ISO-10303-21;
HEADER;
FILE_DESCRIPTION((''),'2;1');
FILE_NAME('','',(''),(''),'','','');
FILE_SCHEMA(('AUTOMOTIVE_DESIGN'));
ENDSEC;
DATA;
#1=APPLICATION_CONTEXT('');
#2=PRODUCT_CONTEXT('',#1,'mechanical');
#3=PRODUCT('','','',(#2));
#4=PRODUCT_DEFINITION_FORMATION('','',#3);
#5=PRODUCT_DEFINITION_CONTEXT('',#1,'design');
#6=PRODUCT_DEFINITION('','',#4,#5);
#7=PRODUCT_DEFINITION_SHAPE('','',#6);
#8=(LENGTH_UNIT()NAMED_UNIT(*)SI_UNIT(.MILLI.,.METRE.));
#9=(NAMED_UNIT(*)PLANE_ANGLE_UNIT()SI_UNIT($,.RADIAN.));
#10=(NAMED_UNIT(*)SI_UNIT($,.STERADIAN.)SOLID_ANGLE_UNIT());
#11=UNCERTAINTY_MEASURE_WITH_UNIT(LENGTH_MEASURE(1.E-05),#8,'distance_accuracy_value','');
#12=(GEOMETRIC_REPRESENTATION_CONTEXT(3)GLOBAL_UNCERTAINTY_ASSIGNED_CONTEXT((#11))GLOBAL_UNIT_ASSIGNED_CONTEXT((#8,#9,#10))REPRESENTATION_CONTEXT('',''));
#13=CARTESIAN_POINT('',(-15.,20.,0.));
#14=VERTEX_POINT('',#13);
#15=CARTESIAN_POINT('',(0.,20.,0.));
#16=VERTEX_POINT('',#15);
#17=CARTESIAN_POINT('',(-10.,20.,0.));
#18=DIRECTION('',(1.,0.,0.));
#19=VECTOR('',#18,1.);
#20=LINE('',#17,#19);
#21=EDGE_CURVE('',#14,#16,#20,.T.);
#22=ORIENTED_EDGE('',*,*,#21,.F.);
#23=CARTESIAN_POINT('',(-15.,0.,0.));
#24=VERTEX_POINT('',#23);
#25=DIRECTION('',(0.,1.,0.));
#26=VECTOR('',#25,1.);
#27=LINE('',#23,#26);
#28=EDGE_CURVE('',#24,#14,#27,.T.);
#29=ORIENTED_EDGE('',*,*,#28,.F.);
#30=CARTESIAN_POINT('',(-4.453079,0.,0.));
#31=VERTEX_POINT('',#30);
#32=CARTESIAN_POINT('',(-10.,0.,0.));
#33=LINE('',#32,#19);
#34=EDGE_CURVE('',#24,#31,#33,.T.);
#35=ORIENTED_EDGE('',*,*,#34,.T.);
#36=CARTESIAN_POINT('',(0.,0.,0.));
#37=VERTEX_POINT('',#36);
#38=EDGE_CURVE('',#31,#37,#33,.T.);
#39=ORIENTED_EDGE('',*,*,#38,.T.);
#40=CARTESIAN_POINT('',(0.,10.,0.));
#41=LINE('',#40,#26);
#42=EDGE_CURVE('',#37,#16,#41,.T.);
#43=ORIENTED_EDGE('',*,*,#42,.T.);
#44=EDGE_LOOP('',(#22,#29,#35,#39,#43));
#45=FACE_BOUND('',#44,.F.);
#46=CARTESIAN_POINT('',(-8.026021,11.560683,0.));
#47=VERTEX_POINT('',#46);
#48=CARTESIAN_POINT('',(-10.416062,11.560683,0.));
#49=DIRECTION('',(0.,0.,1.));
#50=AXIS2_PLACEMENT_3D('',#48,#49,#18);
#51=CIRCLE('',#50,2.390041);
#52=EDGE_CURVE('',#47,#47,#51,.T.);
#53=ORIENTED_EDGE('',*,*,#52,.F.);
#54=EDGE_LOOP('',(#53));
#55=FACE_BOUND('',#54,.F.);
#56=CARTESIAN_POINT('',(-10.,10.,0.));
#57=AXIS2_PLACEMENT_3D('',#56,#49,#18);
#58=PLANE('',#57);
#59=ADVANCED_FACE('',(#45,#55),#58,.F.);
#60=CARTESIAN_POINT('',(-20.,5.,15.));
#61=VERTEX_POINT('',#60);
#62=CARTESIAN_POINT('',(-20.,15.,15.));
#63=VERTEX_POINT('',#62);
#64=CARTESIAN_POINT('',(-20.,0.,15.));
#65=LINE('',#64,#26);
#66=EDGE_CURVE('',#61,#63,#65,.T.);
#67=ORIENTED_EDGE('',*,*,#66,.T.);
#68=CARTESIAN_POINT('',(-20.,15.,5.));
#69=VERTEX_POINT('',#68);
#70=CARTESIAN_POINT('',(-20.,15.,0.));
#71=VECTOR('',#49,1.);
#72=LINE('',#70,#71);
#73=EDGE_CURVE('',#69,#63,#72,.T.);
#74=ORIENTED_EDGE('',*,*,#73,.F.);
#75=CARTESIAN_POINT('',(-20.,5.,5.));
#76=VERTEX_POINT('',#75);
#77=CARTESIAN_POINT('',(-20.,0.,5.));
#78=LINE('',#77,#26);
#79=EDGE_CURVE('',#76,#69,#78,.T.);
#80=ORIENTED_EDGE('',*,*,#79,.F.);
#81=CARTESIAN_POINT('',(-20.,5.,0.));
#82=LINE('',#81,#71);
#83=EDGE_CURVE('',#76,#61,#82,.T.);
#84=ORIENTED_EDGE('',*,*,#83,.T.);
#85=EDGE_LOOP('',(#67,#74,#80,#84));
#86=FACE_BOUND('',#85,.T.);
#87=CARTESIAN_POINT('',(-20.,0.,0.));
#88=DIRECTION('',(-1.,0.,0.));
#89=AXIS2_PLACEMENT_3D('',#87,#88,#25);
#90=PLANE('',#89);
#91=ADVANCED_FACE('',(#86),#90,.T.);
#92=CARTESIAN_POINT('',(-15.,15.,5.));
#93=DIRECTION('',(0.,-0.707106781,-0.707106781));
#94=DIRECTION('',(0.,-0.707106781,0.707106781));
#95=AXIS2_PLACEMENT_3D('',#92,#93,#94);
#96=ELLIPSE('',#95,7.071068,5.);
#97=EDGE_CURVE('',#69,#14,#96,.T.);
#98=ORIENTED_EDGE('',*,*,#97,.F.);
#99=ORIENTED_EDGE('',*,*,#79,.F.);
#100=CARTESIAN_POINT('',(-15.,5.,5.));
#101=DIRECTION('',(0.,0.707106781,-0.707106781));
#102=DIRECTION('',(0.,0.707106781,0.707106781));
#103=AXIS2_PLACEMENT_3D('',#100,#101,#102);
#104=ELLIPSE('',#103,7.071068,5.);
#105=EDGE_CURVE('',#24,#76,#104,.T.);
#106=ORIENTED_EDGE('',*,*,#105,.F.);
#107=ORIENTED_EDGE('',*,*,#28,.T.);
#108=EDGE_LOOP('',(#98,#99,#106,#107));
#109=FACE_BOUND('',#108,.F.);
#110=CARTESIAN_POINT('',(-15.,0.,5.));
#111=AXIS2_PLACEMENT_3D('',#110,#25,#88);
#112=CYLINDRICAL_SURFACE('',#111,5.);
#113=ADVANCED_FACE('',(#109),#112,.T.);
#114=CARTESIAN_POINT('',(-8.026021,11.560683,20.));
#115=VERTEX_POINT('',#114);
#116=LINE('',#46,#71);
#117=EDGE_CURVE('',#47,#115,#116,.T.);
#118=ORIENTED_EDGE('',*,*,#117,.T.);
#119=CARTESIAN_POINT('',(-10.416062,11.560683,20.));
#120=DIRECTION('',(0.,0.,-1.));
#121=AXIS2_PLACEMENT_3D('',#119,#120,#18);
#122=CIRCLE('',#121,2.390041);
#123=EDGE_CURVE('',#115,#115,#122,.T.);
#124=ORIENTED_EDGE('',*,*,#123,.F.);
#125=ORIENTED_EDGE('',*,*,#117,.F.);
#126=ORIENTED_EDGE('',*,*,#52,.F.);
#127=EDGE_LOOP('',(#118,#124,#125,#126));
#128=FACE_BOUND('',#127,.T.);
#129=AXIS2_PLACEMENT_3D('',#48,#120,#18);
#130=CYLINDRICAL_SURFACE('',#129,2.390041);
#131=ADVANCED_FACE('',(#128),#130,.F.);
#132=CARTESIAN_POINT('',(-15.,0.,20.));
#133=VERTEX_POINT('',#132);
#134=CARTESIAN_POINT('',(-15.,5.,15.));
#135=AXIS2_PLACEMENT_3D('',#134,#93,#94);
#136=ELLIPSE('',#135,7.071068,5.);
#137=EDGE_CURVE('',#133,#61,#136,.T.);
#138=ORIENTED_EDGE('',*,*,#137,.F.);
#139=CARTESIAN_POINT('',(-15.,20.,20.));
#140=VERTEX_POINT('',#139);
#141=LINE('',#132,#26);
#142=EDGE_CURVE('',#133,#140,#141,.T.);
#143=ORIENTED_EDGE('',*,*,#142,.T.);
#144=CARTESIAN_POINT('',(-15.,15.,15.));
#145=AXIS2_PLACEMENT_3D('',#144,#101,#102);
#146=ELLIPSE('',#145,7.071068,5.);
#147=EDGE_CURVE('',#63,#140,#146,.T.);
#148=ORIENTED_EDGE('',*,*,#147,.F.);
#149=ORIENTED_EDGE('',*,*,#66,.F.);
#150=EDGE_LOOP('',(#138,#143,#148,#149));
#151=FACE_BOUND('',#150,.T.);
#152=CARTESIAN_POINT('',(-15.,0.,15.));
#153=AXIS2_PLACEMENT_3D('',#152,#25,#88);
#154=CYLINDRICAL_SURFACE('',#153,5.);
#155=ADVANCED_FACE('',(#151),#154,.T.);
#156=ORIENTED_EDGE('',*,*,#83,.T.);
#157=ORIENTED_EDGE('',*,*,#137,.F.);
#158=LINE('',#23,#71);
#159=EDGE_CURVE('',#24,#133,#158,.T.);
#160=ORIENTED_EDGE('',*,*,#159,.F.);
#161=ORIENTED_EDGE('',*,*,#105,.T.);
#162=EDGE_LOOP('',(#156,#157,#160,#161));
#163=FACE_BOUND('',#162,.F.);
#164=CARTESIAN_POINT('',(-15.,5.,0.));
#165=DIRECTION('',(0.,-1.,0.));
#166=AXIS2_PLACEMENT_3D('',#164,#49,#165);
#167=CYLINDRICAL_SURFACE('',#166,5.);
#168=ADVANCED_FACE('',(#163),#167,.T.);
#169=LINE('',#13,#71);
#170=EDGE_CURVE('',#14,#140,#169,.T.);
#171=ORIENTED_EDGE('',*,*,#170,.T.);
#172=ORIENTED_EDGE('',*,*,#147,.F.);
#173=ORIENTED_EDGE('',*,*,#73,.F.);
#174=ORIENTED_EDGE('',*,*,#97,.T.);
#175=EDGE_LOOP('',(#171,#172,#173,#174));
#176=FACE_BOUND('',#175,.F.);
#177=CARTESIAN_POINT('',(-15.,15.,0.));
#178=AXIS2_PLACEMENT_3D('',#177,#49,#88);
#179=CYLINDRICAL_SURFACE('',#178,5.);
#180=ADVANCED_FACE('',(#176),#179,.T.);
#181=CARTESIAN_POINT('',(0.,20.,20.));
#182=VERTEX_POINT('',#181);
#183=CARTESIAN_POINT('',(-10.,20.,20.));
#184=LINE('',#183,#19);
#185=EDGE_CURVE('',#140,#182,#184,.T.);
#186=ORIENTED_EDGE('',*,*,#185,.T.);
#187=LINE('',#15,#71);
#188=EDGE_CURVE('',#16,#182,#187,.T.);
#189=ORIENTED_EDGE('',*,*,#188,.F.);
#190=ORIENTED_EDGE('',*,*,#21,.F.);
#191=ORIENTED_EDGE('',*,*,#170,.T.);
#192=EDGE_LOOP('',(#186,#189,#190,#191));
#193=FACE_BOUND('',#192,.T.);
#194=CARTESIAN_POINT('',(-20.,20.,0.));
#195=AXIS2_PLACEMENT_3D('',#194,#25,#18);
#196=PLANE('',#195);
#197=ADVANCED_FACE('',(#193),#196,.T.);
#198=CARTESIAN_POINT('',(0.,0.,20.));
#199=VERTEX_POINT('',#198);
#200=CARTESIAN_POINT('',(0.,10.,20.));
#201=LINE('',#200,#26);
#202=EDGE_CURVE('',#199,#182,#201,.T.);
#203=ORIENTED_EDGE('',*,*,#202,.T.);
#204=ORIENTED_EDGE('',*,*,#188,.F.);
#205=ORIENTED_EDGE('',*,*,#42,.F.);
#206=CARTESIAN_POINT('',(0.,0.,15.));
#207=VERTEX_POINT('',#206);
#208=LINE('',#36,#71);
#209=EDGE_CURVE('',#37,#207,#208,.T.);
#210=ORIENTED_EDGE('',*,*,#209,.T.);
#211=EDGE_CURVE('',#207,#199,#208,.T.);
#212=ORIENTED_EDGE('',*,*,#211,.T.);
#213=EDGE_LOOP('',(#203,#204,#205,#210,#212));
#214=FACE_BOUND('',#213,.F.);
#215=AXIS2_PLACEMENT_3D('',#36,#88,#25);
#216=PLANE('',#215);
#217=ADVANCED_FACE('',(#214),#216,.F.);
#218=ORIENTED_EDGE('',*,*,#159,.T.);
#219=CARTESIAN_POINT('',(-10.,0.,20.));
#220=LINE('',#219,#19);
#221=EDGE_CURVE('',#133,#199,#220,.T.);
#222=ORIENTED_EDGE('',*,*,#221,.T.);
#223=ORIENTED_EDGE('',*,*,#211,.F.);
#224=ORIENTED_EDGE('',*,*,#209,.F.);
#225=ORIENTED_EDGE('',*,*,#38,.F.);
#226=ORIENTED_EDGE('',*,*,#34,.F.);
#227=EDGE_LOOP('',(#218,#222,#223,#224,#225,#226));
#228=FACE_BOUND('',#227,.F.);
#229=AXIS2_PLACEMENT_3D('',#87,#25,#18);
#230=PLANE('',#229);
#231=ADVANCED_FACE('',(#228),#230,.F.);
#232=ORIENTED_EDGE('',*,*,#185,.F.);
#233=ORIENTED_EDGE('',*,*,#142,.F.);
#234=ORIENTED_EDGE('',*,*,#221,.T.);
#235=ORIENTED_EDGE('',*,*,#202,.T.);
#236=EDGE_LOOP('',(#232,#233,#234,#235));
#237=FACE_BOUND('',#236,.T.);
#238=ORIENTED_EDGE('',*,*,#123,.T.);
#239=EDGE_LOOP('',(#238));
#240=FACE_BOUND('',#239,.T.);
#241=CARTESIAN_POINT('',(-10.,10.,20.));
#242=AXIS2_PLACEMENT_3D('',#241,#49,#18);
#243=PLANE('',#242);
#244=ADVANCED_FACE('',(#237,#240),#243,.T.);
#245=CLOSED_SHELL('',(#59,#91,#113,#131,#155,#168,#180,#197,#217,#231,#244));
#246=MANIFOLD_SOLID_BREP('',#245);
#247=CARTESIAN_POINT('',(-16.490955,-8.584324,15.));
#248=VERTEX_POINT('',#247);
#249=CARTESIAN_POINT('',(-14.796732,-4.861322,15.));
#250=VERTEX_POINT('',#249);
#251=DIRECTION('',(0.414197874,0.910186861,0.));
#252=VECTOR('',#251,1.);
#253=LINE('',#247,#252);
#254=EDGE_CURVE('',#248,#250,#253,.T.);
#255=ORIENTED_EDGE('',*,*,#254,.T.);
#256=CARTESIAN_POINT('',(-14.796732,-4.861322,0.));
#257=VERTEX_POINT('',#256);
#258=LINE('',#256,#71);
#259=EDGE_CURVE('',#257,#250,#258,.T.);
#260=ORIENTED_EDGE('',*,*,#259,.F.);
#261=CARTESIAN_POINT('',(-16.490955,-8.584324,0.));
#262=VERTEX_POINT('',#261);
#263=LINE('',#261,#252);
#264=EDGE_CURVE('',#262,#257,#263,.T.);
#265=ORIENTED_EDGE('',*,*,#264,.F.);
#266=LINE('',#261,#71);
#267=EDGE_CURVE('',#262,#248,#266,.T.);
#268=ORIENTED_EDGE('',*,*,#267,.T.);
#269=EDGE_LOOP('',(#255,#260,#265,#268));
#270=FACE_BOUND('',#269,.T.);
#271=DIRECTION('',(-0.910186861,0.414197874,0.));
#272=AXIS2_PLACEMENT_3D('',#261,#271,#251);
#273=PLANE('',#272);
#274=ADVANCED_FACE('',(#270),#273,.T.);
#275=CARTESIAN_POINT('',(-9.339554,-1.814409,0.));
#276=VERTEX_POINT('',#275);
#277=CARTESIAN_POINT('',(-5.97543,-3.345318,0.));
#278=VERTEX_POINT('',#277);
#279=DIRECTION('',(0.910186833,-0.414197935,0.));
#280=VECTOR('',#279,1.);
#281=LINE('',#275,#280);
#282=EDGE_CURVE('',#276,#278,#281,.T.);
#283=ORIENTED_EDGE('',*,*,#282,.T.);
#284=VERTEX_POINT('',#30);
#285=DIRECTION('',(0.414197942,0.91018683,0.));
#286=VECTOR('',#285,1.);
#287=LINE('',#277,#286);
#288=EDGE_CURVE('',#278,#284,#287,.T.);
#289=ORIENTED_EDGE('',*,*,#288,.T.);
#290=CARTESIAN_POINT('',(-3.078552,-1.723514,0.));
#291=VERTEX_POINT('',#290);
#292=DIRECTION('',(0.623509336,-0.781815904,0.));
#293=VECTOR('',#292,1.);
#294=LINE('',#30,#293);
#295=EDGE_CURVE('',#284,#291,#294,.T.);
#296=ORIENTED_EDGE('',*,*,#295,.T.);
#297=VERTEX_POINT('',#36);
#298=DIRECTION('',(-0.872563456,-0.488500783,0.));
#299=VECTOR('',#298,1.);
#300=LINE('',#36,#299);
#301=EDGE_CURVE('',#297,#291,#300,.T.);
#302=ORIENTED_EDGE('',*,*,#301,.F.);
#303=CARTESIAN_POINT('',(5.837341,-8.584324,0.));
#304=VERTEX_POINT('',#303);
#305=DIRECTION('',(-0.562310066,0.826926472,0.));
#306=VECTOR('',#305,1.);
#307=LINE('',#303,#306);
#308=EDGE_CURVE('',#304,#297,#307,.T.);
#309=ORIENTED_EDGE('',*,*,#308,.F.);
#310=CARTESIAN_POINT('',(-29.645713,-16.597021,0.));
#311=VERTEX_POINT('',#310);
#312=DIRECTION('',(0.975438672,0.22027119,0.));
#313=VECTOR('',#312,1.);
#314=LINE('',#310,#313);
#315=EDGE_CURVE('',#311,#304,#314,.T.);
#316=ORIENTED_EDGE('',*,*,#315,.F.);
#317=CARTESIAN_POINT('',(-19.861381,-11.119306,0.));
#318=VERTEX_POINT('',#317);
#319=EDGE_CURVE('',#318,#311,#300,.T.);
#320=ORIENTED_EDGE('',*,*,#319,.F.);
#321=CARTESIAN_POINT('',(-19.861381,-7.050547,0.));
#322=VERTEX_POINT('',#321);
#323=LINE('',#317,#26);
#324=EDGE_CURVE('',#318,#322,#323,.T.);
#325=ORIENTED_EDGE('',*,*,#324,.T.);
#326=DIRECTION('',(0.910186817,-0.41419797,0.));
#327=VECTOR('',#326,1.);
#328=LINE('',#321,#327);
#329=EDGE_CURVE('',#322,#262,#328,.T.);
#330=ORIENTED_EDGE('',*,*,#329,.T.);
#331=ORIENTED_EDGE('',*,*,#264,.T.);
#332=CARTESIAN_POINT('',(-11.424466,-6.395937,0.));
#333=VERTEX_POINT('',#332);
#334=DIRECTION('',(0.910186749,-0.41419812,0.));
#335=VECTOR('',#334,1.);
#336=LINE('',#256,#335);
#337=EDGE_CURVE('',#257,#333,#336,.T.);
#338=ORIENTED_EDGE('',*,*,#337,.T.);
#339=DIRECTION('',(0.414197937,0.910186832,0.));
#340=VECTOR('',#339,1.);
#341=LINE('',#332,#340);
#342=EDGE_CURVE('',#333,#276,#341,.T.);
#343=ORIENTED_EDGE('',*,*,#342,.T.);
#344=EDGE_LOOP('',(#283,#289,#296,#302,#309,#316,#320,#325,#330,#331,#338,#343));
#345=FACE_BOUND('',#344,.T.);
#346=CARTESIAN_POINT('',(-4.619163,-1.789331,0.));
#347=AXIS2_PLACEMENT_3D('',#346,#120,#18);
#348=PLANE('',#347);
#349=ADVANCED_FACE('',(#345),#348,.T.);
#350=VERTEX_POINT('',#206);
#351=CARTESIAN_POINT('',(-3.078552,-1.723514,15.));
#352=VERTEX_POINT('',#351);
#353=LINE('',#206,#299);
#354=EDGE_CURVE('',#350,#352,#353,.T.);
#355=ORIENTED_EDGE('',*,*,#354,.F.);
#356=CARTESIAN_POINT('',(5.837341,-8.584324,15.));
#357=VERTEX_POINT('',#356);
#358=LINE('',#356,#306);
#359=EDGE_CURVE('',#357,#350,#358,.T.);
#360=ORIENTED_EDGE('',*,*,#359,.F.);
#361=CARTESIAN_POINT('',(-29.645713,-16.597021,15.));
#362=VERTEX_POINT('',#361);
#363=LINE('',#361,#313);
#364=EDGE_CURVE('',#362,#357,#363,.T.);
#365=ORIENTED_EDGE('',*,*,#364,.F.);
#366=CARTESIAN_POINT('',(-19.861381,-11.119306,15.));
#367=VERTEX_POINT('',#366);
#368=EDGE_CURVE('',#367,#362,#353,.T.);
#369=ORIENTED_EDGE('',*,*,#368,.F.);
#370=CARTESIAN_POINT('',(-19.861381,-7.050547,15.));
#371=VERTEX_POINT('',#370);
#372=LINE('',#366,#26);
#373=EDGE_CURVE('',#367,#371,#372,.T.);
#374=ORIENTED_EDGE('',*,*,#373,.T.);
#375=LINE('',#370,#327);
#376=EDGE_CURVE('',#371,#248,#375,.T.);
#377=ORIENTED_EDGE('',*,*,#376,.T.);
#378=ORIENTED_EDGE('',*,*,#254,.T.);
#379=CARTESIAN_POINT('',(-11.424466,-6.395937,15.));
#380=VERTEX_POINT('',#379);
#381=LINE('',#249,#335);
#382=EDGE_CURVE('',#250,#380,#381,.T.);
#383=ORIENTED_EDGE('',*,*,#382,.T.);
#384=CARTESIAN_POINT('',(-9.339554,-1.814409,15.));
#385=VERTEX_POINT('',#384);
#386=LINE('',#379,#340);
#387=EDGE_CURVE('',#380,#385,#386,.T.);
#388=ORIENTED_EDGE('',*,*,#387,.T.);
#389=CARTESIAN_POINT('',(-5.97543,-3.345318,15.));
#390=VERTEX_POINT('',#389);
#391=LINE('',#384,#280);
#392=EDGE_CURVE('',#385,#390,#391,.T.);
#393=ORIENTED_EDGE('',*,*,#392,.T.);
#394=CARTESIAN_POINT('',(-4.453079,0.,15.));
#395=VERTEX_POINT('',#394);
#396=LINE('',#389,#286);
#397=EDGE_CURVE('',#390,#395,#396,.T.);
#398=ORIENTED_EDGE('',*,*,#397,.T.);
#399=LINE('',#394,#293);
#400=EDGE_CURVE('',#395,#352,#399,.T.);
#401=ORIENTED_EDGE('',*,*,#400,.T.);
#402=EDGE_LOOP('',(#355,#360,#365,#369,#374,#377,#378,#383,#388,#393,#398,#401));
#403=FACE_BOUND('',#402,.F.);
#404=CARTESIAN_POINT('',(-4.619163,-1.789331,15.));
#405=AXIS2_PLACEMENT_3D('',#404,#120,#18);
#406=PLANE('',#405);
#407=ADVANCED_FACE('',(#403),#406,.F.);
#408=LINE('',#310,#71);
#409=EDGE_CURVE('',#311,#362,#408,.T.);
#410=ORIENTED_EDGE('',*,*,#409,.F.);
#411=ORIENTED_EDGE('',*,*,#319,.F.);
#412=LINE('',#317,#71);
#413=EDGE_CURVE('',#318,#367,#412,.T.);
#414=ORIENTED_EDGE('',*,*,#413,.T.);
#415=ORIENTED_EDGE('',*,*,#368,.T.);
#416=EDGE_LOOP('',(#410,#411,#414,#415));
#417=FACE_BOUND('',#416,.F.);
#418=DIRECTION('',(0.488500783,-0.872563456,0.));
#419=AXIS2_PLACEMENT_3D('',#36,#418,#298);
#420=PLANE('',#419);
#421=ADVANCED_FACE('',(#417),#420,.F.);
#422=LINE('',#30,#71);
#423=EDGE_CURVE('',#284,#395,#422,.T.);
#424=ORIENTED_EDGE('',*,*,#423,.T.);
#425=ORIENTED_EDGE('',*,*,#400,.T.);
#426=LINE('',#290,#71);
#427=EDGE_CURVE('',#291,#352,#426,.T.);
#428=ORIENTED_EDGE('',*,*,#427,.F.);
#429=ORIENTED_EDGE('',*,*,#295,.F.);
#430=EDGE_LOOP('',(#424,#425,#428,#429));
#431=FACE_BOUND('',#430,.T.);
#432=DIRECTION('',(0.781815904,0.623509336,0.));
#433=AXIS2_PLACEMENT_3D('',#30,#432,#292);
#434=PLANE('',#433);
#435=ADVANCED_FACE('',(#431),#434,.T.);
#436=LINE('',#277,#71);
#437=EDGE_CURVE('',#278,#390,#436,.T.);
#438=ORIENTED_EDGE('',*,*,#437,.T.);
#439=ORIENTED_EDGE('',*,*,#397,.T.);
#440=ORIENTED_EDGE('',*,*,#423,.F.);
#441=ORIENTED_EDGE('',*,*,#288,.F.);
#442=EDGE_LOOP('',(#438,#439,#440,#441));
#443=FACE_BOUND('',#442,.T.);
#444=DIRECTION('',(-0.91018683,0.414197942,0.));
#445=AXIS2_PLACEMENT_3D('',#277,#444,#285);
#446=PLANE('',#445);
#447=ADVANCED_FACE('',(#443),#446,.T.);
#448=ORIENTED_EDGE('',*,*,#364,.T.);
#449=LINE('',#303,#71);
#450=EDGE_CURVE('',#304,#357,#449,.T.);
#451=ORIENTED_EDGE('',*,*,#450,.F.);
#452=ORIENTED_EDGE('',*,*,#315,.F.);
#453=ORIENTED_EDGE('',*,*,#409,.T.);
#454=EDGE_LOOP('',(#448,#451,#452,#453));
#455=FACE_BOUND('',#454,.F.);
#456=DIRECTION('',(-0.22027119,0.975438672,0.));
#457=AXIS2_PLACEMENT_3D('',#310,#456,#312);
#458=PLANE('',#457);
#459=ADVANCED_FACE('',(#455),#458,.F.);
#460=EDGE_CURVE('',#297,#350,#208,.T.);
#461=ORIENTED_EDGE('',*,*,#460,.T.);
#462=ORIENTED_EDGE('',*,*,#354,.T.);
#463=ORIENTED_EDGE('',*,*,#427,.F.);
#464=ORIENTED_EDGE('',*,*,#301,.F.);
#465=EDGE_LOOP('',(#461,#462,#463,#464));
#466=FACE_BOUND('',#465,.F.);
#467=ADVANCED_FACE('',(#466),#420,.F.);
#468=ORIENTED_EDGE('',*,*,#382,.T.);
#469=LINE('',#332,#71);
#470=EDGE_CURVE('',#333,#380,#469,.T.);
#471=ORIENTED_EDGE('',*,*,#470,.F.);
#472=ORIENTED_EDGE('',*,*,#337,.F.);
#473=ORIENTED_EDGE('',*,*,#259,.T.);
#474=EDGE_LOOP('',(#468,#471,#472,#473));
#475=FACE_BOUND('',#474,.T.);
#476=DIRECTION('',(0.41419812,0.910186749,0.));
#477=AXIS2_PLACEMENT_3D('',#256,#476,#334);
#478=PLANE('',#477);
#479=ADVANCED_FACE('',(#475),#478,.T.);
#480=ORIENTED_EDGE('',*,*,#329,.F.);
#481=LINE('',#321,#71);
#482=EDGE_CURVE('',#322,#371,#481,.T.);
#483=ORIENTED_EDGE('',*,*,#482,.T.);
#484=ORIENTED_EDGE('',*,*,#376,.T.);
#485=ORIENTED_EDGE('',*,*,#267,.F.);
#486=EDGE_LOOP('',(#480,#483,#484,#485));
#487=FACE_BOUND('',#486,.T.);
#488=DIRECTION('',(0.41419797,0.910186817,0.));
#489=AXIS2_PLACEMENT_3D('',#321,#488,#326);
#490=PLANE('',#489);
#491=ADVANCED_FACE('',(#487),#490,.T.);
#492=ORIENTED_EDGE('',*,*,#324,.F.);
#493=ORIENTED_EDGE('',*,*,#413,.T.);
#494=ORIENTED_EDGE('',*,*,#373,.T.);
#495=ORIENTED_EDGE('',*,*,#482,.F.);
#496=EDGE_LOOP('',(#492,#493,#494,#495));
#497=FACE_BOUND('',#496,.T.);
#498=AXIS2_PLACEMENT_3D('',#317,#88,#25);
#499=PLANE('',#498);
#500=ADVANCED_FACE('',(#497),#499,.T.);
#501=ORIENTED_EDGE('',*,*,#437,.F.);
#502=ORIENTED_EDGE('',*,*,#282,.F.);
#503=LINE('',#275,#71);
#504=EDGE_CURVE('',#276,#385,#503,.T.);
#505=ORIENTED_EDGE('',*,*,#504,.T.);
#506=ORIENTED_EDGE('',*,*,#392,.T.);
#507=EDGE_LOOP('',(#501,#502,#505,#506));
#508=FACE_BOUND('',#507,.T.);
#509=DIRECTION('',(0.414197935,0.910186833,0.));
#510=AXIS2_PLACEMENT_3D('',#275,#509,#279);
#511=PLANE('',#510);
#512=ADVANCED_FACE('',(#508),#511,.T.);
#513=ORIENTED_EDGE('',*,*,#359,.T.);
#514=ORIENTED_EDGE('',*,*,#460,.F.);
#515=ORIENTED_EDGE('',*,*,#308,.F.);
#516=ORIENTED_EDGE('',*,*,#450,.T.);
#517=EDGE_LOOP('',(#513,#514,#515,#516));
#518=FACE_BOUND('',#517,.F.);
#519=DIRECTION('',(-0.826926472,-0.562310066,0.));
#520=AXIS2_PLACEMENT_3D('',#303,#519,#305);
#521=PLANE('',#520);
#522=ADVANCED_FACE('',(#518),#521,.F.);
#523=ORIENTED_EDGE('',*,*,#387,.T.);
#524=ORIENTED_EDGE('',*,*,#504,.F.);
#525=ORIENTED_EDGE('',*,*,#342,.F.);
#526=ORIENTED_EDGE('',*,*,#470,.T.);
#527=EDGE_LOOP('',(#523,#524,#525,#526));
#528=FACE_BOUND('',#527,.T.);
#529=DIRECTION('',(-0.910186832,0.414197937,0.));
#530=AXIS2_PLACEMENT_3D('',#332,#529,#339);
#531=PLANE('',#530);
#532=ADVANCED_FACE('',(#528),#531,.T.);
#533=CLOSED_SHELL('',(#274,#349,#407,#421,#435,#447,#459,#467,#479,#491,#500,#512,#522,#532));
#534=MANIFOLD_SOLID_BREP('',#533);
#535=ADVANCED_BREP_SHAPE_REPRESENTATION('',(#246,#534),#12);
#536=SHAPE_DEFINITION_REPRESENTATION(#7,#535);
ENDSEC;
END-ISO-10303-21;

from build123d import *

# Parameters (mm, degrees)
F1_DEPTH = 15
F2_W     = 20
F2_H     = 20
F3_DEPTH = 20
F4_R     = 2.390041
F5_DEPTH = 25
F7_DEPTH = 15
F8_R     = 5


with BuildPart() as f1:
    # F0 (on Top) → F1 (new body)
    with BuildSketch(Plane.XY):
        Polygon((5.837341, -8.584324), (0, 0), (-29.645713, -16.597021), align=None)
    extrude(amount=F1_DEPTH)



with BuildPart() as f3:
    # F2 (on Top) → F3 (new body)
    with BuildSketch(Plane.XY):
        with Locations((-10, 10)):
            Rectangle(F2_W, F2_H)
    extrude(amount=F3_DEPTH)

    # F4 (on Top) → F5 (cut)
    with BuildSketch(Plane.XY):
        with Locations((-10.416062, 11.560683)):
            Circle(F4_R)
    extrude(amount=F5_DEPTH, mode=Mode.SUBTRACT)


with BuildPart() as f1_1:
    add(f1.part)

    add(f3.part)  # F7 merges F3
    # F6 (on face) → F7 (join)
    with BuildSketch(Plane(origin=(0, 0, 0), x_dir=(1, 0, 0), z_dir=(0, 0, -1))):
        Polygon((-5.97543, 3.345318), (-4.453079, 0), (-3.078552, 1.723514), align=None)
        Polygon((-9.339554, 1.814409), (-5.97543, 3.345318), (-11.424466, 6.395937), align=None)
        Polygon((-14.796732, 4.861322), (-11.424466, 6.395937), (-19.861381, 11.119306), (-19.861381, 7.050547), (-16.490955, 8.584324), align=None)
    extrude(amount=-F7_DEPTH)

    # F8
    f8_edges = [f1_1.edges().sort_by_distance(p)[0] for p in [
        (-20, 20, 10),
        (-20, 0, 10),
        (-20, 10, 0),
        (-20, 10, 20),
    ]]
    fillet(f8_edges, radius=F8_R)


solid = f1_1.part
